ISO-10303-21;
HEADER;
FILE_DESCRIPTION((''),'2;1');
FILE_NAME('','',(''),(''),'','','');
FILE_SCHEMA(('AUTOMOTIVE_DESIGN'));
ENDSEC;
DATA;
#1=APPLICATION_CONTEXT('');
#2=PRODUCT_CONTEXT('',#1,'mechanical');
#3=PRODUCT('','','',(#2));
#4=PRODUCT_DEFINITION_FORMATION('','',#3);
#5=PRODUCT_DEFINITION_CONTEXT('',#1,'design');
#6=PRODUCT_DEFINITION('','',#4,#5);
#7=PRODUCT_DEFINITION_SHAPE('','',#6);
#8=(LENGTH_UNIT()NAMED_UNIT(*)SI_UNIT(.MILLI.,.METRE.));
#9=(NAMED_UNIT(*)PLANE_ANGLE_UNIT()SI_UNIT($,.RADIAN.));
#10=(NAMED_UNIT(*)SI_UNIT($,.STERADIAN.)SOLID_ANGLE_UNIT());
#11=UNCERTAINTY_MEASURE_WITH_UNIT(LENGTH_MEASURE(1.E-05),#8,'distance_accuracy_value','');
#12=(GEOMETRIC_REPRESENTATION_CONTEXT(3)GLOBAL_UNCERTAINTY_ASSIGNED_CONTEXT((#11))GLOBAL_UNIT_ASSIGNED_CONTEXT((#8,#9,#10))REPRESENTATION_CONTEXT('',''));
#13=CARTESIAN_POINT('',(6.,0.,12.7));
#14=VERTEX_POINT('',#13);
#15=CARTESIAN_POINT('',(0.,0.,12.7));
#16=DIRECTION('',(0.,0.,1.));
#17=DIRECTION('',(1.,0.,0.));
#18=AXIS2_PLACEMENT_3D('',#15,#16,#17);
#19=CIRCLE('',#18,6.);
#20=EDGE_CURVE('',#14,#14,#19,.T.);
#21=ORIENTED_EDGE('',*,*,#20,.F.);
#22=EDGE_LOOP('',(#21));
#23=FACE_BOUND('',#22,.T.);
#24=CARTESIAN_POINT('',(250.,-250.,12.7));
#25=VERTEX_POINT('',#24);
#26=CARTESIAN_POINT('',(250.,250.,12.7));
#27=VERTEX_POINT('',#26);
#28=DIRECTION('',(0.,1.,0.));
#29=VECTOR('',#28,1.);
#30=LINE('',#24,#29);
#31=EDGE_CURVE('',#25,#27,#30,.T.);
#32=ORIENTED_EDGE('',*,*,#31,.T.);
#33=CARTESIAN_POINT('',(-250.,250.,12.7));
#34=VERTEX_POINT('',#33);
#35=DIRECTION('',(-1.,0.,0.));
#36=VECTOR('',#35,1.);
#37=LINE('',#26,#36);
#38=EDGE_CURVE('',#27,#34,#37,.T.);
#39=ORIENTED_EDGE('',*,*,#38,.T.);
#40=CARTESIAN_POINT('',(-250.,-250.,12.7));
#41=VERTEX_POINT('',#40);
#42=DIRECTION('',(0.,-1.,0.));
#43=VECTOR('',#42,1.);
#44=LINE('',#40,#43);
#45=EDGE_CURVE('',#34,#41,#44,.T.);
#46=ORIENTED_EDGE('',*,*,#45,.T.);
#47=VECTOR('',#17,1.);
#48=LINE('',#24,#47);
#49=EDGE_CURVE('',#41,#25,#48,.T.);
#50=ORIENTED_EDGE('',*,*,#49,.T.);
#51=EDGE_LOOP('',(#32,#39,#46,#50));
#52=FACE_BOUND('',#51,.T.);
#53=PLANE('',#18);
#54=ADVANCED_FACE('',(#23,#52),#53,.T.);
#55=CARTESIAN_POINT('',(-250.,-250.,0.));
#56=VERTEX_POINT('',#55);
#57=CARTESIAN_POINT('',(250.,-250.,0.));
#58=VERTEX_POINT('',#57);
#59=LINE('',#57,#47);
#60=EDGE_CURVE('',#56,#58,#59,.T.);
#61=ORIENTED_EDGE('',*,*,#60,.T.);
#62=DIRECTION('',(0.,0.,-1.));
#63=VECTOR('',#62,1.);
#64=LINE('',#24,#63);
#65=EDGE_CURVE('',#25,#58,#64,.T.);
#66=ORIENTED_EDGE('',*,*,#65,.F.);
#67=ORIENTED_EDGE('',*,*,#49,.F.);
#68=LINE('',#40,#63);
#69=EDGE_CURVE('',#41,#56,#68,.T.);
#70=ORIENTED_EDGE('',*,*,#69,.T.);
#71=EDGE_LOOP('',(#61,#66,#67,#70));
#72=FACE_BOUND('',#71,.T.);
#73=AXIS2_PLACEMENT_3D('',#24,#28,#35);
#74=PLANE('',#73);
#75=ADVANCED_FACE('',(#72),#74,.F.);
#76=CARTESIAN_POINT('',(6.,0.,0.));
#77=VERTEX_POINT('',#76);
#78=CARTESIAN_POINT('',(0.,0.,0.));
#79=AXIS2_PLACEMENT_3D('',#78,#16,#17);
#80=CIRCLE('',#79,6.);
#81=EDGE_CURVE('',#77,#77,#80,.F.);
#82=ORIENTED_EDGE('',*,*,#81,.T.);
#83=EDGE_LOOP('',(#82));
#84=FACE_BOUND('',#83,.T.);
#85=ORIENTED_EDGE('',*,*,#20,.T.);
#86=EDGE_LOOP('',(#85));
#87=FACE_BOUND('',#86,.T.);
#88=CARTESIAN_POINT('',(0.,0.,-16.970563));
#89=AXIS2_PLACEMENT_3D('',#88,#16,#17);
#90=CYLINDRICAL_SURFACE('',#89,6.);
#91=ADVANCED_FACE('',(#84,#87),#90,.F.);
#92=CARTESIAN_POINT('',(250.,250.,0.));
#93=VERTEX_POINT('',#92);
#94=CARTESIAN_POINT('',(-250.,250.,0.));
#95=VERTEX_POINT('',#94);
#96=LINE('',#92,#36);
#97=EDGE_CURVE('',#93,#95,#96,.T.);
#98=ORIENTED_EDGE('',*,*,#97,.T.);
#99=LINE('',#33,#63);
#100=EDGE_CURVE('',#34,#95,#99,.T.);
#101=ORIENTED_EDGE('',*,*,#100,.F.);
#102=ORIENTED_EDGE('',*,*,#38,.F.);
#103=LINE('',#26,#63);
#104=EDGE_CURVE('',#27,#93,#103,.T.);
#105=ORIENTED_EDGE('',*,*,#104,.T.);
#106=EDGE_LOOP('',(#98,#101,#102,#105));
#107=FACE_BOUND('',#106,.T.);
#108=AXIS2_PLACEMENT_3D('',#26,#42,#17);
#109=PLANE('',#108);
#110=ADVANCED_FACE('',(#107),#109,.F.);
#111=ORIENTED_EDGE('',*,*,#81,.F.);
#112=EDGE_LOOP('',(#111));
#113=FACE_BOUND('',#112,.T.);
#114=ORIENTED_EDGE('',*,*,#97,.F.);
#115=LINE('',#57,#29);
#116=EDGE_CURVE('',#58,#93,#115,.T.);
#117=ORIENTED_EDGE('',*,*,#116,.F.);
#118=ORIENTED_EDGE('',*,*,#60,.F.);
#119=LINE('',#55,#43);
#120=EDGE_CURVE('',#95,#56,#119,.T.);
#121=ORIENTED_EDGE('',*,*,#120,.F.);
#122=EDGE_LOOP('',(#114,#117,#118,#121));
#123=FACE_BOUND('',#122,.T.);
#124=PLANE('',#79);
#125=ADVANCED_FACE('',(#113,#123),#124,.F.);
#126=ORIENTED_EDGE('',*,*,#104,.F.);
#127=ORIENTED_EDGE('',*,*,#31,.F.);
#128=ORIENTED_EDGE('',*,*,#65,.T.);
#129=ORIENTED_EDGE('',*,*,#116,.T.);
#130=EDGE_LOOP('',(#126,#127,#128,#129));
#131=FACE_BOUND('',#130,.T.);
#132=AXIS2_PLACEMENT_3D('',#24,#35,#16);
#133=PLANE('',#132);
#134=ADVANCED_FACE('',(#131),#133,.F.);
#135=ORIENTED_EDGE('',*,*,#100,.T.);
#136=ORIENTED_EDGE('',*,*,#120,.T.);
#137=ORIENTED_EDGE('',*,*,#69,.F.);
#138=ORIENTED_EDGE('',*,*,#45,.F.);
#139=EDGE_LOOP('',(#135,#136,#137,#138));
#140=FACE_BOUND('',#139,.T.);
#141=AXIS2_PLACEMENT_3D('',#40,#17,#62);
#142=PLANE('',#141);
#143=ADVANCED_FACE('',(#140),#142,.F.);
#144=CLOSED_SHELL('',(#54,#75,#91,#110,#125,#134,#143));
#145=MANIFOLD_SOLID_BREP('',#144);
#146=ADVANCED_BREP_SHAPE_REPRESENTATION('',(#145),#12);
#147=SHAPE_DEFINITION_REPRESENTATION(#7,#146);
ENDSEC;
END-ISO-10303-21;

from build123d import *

# Parameters (mm, degrees)
SKETCH1_W           = 500
SKETCH1_H           = 500
BOSS_EXTRUDE1_DEPTH = 12.7
SKETCH4_R           = 6
CUT_EXTRUDE1_DEPTH  = 12.7


with BuildPart() as part:
    # Sketch1 → Boss-Extrude1 (new body)
    with BuildSketch(Plane.XY):
        Rectangle(SKETCH1_W, SKETCH1_H)
    extrude(amount=BOSS_EXTRUDE1_DEPTH)

    # Sketch4 → Cut-Extrude1 (cut)
    with BuildSketch(Plane.XY.offset(12.7)):
        Circle(SKETCH4_R)
    extrude(amount=-CUT_EXTRUDE1_DEPTH, mode=Mode.SUBTRACT)


solid = part.part
